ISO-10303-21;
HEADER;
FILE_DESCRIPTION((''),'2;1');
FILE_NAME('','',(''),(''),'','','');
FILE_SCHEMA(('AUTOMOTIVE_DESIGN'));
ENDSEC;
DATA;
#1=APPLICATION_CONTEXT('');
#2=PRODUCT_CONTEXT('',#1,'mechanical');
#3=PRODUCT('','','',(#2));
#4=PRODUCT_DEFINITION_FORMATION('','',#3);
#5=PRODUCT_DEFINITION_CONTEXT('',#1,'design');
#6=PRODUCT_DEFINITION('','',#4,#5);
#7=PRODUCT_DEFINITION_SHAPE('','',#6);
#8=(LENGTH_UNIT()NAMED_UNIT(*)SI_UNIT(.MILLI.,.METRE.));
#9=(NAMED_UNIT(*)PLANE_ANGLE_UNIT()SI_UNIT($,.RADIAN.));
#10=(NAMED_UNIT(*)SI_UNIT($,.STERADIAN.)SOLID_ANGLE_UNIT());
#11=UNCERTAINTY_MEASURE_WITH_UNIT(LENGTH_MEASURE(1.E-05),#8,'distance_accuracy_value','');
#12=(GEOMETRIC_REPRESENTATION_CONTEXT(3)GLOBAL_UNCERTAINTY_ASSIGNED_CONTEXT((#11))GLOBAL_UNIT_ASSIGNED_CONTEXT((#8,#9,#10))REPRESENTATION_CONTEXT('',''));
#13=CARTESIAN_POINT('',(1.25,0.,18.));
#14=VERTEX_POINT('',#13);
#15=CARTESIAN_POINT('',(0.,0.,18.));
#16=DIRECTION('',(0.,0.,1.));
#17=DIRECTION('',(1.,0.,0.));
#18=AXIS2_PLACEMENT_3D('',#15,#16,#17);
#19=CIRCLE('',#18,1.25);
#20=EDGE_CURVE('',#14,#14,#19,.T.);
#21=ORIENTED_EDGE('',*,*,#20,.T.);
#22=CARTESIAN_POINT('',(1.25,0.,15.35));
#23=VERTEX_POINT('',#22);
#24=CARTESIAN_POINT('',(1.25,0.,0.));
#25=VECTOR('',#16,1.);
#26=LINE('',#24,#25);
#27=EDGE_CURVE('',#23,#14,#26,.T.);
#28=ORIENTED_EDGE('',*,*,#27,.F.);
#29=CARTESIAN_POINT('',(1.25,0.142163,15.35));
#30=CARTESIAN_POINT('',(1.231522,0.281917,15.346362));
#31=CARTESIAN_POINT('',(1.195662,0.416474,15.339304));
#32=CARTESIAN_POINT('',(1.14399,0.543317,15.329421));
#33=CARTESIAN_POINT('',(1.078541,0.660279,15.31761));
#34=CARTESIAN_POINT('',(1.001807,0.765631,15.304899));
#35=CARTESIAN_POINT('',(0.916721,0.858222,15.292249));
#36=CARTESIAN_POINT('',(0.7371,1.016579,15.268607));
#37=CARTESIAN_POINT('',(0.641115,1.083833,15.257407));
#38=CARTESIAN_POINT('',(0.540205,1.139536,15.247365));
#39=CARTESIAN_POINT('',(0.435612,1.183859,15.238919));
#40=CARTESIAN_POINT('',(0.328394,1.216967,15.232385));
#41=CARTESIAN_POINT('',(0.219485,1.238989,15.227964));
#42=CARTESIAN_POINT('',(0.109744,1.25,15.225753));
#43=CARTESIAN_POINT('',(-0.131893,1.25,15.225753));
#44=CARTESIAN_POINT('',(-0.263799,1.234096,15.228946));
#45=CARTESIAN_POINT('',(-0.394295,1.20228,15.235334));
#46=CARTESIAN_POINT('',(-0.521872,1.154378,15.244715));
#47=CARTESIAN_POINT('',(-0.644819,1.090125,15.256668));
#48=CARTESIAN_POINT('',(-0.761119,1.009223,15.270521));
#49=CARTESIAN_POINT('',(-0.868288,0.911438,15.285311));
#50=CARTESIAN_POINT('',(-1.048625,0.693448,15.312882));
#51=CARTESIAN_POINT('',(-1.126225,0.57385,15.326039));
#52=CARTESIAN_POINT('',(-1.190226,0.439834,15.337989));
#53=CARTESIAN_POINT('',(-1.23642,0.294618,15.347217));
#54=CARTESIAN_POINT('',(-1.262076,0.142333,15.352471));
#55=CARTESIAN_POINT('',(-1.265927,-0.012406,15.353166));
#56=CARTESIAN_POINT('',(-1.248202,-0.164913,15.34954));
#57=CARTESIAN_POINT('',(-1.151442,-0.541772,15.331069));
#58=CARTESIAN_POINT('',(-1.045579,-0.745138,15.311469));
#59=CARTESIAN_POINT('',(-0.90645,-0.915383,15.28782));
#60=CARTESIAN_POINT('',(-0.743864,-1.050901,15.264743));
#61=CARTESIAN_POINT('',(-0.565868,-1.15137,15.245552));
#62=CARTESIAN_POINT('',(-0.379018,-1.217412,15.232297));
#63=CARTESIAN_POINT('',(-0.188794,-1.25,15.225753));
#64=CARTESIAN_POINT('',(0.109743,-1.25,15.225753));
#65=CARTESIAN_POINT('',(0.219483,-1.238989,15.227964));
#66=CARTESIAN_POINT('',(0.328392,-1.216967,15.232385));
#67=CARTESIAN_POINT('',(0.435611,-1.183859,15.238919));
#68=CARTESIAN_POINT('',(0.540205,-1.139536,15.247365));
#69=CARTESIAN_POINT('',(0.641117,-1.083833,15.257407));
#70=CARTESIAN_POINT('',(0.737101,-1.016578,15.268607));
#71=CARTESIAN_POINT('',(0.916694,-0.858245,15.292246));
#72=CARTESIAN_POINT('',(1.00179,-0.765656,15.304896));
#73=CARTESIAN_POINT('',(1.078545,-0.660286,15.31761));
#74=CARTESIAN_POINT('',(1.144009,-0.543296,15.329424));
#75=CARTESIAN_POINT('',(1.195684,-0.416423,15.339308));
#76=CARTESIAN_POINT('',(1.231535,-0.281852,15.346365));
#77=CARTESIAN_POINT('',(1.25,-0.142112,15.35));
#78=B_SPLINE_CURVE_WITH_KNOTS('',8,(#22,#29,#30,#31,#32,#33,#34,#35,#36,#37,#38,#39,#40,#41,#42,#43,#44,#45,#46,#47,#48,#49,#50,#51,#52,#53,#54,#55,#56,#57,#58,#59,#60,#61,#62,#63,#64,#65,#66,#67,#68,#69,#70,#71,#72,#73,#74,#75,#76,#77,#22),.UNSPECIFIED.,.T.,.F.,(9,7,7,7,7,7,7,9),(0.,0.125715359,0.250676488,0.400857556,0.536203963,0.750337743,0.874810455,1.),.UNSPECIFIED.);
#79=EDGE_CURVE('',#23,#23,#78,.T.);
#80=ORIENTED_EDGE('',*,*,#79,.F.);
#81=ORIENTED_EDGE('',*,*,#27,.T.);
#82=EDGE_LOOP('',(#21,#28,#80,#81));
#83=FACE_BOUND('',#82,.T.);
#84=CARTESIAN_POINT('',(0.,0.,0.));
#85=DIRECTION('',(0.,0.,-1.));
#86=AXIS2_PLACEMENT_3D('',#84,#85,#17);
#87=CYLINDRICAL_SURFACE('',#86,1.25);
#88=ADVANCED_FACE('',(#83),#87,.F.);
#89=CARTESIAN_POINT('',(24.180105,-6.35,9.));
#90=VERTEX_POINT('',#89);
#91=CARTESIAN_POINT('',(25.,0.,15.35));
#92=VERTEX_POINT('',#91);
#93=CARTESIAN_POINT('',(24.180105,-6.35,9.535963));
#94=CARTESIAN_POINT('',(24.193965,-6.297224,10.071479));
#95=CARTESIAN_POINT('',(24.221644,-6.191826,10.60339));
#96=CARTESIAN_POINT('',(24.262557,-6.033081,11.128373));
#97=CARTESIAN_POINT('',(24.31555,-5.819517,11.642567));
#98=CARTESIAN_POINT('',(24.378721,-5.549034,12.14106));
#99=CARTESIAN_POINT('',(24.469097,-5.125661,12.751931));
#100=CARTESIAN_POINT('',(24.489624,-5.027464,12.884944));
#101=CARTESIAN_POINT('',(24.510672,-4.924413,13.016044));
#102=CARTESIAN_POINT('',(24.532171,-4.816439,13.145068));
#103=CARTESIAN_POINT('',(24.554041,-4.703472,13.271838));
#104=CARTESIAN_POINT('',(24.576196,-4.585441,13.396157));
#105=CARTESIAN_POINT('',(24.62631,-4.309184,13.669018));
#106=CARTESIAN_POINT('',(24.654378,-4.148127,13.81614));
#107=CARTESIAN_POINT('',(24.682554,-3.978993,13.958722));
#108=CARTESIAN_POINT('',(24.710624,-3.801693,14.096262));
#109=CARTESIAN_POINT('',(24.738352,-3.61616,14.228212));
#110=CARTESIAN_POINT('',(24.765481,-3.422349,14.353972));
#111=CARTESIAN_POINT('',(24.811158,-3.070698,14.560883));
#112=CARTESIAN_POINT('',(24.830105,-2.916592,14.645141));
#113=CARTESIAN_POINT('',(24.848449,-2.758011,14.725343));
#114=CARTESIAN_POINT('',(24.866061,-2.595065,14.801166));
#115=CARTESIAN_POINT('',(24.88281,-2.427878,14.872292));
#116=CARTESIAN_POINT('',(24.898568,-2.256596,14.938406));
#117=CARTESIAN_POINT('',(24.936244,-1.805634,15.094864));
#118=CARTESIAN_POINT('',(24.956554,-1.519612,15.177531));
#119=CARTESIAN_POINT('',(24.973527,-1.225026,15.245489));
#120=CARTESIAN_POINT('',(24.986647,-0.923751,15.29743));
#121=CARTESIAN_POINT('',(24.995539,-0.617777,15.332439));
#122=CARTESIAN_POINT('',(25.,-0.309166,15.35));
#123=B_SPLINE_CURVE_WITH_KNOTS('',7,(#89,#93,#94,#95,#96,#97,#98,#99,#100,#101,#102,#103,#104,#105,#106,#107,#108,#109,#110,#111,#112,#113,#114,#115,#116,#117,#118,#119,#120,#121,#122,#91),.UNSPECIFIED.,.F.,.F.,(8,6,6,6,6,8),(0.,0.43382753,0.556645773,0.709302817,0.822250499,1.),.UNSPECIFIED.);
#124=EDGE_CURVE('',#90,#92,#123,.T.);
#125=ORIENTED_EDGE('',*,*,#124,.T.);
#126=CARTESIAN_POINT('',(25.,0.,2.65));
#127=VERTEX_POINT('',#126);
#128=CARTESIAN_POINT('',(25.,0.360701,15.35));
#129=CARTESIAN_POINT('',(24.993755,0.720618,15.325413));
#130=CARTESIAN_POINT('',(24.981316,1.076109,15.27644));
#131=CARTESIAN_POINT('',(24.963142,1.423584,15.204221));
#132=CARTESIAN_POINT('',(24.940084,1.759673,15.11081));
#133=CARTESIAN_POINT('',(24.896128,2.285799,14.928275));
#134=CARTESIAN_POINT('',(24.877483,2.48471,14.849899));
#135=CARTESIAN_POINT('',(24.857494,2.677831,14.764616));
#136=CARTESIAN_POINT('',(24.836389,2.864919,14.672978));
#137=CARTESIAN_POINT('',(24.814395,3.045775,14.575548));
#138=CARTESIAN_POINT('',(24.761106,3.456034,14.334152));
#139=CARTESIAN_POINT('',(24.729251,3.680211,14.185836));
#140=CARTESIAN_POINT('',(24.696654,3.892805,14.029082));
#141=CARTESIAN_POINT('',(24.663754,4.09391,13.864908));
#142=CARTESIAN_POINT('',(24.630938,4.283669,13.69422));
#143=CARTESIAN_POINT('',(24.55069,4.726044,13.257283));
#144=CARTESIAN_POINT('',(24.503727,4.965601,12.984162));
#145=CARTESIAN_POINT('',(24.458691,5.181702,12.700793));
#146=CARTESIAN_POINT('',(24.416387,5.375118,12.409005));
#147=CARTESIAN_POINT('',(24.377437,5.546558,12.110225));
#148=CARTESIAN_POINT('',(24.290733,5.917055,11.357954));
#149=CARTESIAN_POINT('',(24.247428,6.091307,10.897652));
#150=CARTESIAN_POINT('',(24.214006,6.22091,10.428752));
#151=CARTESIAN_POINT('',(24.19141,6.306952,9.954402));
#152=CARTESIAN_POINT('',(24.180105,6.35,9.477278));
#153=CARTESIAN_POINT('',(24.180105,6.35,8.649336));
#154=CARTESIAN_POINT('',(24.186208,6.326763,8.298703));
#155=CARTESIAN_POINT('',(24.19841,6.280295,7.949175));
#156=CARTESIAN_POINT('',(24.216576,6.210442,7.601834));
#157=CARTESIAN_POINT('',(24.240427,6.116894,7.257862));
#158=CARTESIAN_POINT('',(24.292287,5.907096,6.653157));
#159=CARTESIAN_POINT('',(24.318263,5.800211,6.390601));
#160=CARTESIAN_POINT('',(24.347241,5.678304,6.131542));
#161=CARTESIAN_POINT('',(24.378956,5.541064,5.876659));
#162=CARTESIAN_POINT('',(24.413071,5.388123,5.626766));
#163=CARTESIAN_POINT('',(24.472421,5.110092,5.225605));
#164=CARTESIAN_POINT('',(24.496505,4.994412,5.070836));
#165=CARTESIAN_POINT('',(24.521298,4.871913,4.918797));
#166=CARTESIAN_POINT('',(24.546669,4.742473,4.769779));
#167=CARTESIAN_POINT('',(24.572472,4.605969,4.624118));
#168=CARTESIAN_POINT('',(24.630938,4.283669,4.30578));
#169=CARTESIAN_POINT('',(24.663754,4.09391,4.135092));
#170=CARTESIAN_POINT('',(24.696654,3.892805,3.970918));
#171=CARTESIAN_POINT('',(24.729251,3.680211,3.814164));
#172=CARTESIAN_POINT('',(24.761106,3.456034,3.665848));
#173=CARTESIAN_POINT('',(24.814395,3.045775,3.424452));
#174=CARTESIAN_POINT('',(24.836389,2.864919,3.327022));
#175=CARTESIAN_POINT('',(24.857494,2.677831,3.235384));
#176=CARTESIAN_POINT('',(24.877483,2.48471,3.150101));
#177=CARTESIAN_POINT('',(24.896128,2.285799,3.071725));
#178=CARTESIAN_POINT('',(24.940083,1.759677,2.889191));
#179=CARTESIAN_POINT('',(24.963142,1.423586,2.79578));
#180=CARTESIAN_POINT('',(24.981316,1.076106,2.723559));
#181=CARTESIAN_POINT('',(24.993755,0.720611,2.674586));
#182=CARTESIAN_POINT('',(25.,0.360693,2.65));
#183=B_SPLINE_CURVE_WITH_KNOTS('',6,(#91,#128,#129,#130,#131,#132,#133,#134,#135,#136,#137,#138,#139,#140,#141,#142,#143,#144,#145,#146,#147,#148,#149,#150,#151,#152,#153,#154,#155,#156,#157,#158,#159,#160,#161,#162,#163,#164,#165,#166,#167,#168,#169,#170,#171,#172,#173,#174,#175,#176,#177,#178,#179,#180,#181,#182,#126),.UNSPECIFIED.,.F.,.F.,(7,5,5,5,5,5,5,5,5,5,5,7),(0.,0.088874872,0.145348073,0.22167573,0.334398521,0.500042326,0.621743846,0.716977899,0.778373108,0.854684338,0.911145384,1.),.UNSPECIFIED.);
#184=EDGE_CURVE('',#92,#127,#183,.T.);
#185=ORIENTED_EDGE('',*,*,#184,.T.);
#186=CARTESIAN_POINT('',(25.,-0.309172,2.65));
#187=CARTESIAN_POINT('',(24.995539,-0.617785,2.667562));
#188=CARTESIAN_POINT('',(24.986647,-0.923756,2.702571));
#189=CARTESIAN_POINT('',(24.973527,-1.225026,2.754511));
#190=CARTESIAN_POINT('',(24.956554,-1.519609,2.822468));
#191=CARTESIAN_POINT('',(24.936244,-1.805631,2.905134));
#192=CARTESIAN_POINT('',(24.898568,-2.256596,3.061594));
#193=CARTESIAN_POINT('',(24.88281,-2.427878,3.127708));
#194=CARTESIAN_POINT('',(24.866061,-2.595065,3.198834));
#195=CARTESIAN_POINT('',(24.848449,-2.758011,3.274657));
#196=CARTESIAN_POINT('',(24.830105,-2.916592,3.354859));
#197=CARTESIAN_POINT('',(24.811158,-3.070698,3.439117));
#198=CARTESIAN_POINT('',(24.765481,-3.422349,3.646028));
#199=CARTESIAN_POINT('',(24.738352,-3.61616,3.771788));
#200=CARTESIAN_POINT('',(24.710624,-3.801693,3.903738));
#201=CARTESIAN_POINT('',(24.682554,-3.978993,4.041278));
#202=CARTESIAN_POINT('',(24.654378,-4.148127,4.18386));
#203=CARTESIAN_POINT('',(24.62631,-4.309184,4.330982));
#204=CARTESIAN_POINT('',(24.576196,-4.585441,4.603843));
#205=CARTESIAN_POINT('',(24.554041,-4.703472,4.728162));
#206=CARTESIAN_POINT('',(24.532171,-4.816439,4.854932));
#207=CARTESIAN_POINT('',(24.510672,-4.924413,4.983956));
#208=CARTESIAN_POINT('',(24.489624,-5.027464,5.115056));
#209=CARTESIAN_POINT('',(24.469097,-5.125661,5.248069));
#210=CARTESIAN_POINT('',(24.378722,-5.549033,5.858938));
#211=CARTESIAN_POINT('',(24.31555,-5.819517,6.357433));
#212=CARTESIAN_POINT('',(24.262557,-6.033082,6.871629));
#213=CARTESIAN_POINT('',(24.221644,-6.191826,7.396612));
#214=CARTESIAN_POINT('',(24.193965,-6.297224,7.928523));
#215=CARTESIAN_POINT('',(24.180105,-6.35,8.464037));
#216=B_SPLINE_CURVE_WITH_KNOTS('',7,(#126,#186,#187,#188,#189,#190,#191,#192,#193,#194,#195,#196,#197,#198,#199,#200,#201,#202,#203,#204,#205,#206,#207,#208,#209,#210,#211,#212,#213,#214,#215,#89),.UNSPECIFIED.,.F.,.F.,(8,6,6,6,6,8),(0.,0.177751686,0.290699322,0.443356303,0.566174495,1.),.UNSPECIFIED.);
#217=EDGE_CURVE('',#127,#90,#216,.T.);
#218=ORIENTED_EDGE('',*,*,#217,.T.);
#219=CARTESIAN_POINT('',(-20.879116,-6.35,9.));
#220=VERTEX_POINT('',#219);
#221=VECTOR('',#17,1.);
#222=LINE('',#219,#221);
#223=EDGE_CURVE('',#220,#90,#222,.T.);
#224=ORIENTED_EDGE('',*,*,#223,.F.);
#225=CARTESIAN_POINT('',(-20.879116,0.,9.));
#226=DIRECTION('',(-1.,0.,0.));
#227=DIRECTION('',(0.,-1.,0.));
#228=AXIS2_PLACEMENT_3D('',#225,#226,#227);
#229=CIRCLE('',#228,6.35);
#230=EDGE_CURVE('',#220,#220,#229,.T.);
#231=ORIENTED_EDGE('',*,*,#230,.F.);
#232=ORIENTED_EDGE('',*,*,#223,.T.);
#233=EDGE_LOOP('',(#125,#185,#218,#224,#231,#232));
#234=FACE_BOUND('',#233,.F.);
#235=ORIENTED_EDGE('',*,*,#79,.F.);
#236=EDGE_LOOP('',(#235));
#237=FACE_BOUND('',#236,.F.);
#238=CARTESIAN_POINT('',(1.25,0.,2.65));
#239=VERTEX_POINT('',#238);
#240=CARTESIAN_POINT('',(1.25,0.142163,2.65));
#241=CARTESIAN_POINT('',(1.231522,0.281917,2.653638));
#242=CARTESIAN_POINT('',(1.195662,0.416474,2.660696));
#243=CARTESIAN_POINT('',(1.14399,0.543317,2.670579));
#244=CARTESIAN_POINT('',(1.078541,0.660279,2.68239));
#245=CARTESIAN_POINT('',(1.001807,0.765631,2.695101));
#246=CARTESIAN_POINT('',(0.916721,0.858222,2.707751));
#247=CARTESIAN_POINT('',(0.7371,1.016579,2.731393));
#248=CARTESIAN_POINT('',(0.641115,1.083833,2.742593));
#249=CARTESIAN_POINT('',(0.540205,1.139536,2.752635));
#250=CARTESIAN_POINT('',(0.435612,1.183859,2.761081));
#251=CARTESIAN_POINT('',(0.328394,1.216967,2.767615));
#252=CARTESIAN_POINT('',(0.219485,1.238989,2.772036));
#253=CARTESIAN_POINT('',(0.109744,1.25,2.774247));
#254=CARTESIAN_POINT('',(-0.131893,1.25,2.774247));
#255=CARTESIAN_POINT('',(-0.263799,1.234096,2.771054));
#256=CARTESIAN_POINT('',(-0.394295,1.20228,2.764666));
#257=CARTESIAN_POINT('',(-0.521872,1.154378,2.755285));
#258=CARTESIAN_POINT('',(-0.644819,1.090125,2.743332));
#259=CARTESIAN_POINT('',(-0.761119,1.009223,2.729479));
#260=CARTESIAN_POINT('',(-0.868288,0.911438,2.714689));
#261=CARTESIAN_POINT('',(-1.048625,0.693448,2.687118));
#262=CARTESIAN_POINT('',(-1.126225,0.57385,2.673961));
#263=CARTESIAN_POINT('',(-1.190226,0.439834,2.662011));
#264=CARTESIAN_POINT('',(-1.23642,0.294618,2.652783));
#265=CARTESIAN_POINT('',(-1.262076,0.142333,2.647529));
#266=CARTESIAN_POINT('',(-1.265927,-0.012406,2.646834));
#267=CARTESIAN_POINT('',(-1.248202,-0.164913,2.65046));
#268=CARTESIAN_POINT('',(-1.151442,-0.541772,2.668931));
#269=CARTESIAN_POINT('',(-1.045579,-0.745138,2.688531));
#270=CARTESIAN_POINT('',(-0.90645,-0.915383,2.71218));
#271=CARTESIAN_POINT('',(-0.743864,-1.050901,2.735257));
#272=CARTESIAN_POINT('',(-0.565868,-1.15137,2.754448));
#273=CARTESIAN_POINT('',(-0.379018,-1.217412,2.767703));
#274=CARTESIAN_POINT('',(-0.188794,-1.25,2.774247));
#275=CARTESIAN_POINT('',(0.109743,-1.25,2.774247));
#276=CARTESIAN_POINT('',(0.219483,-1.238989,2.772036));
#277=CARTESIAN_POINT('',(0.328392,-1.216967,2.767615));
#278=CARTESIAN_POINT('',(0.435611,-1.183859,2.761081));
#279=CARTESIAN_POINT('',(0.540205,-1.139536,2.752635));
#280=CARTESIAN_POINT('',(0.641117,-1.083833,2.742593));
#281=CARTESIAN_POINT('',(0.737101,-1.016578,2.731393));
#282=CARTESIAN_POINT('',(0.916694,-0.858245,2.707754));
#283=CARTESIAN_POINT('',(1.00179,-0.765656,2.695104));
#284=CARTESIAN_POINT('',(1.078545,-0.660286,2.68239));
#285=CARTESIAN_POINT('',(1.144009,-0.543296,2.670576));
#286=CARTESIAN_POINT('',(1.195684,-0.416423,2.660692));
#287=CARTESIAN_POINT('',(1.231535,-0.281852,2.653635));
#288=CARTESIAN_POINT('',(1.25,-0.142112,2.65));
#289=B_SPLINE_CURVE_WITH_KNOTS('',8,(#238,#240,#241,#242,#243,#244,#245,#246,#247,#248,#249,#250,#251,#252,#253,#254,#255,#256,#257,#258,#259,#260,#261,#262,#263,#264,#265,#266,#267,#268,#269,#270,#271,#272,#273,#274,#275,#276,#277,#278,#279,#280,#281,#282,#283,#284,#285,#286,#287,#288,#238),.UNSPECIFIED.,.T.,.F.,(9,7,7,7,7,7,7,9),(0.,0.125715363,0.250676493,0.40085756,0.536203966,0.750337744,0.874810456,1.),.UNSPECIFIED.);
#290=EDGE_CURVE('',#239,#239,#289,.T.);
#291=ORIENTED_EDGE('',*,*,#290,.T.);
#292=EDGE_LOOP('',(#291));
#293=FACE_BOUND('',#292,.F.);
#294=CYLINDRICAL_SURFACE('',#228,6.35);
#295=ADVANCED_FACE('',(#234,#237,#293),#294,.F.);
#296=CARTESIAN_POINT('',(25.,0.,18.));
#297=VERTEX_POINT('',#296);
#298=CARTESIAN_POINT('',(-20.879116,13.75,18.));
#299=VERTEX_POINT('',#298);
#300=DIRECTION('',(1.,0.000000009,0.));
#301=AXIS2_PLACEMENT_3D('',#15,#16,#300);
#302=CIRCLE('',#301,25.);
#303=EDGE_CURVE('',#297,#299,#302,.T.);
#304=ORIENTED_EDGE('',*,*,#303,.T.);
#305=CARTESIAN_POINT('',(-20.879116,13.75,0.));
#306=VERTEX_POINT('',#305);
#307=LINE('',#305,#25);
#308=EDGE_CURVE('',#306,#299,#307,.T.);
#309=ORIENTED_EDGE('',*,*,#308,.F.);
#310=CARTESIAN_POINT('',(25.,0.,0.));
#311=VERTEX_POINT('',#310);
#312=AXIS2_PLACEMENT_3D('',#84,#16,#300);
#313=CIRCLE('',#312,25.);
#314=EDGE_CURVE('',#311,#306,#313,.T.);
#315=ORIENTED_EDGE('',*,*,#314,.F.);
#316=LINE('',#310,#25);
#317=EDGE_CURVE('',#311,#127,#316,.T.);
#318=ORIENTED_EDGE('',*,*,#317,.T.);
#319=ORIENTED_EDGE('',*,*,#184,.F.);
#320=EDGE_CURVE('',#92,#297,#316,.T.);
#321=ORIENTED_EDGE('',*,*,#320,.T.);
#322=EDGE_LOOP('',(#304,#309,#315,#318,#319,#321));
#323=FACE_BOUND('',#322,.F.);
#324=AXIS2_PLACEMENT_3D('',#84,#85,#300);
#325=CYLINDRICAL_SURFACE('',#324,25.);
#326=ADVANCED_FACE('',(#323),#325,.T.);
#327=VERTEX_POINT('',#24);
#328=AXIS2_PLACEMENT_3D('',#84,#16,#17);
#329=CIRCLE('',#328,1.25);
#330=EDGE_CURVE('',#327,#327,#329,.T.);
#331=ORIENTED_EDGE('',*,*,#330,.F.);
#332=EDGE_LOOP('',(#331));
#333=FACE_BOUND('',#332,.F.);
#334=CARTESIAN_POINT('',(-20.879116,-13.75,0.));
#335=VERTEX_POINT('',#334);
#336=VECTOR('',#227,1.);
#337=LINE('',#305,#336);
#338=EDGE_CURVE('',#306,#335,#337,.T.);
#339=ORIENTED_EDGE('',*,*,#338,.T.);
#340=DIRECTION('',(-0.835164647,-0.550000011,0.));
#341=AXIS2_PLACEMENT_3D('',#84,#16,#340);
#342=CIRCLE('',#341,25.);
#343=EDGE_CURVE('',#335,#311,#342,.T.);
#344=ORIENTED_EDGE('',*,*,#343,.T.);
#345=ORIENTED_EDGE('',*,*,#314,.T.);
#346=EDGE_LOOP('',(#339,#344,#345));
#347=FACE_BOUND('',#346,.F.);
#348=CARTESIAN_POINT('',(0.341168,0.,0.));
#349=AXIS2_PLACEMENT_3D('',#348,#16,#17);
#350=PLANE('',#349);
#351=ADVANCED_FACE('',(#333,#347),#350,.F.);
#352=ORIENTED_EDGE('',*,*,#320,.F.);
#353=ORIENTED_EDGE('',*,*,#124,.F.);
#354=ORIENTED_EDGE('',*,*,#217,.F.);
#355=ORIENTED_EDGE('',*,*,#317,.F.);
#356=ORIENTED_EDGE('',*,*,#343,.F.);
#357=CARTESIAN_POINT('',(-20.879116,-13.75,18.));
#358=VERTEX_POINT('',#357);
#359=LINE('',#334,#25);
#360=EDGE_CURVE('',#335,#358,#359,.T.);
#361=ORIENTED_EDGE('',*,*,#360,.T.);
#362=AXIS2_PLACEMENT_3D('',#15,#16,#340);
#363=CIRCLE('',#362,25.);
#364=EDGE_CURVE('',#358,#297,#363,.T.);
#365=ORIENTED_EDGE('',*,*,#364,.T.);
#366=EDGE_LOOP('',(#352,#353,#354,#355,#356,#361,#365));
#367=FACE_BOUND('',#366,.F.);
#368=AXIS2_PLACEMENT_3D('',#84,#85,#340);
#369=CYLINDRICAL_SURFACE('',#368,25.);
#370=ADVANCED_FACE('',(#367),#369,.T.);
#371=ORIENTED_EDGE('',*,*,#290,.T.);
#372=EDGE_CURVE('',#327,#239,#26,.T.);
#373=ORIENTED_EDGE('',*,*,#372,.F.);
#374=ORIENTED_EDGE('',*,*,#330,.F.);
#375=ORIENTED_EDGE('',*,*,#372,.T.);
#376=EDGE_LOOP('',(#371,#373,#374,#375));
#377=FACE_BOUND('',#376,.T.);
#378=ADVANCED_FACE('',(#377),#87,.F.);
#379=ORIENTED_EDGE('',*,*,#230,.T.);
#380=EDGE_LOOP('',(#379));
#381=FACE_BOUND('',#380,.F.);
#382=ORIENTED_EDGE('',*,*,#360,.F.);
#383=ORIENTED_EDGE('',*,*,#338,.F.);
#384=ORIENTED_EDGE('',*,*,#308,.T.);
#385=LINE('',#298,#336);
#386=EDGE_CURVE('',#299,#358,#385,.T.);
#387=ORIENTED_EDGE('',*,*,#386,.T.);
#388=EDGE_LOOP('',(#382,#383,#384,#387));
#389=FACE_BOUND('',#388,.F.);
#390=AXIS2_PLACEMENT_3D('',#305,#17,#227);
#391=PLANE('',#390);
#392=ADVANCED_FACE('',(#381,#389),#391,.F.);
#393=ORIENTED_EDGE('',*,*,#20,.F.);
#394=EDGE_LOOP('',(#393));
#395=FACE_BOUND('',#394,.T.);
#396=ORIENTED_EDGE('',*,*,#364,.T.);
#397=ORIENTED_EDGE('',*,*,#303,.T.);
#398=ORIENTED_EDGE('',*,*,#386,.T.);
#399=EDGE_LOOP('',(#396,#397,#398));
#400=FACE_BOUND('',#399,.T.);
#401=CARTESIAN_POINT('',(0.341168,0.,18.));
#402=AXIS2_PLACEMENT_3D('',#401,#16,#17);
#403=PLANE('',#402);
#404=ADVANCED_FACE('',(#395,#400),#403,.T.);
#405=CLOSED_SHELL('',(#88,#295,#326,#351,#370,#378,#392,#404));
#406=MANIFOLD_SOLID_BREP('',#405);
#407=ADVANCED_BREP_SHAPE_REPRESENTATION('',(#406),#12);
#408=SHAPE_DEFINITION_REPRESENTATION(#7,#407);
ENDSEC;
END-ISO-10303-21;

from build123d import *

# Parameters (mm, degrees)
F0_R     = 1.25
F1_DEPTH = 18
F2_R     = 6.35
F3_DEPTH = 59.8157


with BuildPart() as f1:
    # F0 (on Top) → F1 (new body)
    with BuildSketch(Plane.XY):
        with BuildLine():
            ThreePointArc((-20.879116, -13.75), (7.17712, -23.947629), (25, 0))
            ThreePointArc((25, 0), (7.17712, 23.947629), (-20.879116, 13.75))
            Line((-20.879116, 13.75), (-20.879116, -13.75))
        make_face()
        Circle(F0_R, mode=Mode.SUBTRACT)
    extrude(amount=F1_DEPTH)

    # F2 (on face) → F3 (cut)
    with BuildSketch(Plane(origin=(-20.879116, 0, 0), x_dir=(0, -1, 0), z_dir=(-1, 0, 0))):
        with Locations((0, 9)):
            Circle(F2_R)
    extrude(amount=-F3_DEPTH, mode=Mode.SUBTRACT)


solid = f1.part
